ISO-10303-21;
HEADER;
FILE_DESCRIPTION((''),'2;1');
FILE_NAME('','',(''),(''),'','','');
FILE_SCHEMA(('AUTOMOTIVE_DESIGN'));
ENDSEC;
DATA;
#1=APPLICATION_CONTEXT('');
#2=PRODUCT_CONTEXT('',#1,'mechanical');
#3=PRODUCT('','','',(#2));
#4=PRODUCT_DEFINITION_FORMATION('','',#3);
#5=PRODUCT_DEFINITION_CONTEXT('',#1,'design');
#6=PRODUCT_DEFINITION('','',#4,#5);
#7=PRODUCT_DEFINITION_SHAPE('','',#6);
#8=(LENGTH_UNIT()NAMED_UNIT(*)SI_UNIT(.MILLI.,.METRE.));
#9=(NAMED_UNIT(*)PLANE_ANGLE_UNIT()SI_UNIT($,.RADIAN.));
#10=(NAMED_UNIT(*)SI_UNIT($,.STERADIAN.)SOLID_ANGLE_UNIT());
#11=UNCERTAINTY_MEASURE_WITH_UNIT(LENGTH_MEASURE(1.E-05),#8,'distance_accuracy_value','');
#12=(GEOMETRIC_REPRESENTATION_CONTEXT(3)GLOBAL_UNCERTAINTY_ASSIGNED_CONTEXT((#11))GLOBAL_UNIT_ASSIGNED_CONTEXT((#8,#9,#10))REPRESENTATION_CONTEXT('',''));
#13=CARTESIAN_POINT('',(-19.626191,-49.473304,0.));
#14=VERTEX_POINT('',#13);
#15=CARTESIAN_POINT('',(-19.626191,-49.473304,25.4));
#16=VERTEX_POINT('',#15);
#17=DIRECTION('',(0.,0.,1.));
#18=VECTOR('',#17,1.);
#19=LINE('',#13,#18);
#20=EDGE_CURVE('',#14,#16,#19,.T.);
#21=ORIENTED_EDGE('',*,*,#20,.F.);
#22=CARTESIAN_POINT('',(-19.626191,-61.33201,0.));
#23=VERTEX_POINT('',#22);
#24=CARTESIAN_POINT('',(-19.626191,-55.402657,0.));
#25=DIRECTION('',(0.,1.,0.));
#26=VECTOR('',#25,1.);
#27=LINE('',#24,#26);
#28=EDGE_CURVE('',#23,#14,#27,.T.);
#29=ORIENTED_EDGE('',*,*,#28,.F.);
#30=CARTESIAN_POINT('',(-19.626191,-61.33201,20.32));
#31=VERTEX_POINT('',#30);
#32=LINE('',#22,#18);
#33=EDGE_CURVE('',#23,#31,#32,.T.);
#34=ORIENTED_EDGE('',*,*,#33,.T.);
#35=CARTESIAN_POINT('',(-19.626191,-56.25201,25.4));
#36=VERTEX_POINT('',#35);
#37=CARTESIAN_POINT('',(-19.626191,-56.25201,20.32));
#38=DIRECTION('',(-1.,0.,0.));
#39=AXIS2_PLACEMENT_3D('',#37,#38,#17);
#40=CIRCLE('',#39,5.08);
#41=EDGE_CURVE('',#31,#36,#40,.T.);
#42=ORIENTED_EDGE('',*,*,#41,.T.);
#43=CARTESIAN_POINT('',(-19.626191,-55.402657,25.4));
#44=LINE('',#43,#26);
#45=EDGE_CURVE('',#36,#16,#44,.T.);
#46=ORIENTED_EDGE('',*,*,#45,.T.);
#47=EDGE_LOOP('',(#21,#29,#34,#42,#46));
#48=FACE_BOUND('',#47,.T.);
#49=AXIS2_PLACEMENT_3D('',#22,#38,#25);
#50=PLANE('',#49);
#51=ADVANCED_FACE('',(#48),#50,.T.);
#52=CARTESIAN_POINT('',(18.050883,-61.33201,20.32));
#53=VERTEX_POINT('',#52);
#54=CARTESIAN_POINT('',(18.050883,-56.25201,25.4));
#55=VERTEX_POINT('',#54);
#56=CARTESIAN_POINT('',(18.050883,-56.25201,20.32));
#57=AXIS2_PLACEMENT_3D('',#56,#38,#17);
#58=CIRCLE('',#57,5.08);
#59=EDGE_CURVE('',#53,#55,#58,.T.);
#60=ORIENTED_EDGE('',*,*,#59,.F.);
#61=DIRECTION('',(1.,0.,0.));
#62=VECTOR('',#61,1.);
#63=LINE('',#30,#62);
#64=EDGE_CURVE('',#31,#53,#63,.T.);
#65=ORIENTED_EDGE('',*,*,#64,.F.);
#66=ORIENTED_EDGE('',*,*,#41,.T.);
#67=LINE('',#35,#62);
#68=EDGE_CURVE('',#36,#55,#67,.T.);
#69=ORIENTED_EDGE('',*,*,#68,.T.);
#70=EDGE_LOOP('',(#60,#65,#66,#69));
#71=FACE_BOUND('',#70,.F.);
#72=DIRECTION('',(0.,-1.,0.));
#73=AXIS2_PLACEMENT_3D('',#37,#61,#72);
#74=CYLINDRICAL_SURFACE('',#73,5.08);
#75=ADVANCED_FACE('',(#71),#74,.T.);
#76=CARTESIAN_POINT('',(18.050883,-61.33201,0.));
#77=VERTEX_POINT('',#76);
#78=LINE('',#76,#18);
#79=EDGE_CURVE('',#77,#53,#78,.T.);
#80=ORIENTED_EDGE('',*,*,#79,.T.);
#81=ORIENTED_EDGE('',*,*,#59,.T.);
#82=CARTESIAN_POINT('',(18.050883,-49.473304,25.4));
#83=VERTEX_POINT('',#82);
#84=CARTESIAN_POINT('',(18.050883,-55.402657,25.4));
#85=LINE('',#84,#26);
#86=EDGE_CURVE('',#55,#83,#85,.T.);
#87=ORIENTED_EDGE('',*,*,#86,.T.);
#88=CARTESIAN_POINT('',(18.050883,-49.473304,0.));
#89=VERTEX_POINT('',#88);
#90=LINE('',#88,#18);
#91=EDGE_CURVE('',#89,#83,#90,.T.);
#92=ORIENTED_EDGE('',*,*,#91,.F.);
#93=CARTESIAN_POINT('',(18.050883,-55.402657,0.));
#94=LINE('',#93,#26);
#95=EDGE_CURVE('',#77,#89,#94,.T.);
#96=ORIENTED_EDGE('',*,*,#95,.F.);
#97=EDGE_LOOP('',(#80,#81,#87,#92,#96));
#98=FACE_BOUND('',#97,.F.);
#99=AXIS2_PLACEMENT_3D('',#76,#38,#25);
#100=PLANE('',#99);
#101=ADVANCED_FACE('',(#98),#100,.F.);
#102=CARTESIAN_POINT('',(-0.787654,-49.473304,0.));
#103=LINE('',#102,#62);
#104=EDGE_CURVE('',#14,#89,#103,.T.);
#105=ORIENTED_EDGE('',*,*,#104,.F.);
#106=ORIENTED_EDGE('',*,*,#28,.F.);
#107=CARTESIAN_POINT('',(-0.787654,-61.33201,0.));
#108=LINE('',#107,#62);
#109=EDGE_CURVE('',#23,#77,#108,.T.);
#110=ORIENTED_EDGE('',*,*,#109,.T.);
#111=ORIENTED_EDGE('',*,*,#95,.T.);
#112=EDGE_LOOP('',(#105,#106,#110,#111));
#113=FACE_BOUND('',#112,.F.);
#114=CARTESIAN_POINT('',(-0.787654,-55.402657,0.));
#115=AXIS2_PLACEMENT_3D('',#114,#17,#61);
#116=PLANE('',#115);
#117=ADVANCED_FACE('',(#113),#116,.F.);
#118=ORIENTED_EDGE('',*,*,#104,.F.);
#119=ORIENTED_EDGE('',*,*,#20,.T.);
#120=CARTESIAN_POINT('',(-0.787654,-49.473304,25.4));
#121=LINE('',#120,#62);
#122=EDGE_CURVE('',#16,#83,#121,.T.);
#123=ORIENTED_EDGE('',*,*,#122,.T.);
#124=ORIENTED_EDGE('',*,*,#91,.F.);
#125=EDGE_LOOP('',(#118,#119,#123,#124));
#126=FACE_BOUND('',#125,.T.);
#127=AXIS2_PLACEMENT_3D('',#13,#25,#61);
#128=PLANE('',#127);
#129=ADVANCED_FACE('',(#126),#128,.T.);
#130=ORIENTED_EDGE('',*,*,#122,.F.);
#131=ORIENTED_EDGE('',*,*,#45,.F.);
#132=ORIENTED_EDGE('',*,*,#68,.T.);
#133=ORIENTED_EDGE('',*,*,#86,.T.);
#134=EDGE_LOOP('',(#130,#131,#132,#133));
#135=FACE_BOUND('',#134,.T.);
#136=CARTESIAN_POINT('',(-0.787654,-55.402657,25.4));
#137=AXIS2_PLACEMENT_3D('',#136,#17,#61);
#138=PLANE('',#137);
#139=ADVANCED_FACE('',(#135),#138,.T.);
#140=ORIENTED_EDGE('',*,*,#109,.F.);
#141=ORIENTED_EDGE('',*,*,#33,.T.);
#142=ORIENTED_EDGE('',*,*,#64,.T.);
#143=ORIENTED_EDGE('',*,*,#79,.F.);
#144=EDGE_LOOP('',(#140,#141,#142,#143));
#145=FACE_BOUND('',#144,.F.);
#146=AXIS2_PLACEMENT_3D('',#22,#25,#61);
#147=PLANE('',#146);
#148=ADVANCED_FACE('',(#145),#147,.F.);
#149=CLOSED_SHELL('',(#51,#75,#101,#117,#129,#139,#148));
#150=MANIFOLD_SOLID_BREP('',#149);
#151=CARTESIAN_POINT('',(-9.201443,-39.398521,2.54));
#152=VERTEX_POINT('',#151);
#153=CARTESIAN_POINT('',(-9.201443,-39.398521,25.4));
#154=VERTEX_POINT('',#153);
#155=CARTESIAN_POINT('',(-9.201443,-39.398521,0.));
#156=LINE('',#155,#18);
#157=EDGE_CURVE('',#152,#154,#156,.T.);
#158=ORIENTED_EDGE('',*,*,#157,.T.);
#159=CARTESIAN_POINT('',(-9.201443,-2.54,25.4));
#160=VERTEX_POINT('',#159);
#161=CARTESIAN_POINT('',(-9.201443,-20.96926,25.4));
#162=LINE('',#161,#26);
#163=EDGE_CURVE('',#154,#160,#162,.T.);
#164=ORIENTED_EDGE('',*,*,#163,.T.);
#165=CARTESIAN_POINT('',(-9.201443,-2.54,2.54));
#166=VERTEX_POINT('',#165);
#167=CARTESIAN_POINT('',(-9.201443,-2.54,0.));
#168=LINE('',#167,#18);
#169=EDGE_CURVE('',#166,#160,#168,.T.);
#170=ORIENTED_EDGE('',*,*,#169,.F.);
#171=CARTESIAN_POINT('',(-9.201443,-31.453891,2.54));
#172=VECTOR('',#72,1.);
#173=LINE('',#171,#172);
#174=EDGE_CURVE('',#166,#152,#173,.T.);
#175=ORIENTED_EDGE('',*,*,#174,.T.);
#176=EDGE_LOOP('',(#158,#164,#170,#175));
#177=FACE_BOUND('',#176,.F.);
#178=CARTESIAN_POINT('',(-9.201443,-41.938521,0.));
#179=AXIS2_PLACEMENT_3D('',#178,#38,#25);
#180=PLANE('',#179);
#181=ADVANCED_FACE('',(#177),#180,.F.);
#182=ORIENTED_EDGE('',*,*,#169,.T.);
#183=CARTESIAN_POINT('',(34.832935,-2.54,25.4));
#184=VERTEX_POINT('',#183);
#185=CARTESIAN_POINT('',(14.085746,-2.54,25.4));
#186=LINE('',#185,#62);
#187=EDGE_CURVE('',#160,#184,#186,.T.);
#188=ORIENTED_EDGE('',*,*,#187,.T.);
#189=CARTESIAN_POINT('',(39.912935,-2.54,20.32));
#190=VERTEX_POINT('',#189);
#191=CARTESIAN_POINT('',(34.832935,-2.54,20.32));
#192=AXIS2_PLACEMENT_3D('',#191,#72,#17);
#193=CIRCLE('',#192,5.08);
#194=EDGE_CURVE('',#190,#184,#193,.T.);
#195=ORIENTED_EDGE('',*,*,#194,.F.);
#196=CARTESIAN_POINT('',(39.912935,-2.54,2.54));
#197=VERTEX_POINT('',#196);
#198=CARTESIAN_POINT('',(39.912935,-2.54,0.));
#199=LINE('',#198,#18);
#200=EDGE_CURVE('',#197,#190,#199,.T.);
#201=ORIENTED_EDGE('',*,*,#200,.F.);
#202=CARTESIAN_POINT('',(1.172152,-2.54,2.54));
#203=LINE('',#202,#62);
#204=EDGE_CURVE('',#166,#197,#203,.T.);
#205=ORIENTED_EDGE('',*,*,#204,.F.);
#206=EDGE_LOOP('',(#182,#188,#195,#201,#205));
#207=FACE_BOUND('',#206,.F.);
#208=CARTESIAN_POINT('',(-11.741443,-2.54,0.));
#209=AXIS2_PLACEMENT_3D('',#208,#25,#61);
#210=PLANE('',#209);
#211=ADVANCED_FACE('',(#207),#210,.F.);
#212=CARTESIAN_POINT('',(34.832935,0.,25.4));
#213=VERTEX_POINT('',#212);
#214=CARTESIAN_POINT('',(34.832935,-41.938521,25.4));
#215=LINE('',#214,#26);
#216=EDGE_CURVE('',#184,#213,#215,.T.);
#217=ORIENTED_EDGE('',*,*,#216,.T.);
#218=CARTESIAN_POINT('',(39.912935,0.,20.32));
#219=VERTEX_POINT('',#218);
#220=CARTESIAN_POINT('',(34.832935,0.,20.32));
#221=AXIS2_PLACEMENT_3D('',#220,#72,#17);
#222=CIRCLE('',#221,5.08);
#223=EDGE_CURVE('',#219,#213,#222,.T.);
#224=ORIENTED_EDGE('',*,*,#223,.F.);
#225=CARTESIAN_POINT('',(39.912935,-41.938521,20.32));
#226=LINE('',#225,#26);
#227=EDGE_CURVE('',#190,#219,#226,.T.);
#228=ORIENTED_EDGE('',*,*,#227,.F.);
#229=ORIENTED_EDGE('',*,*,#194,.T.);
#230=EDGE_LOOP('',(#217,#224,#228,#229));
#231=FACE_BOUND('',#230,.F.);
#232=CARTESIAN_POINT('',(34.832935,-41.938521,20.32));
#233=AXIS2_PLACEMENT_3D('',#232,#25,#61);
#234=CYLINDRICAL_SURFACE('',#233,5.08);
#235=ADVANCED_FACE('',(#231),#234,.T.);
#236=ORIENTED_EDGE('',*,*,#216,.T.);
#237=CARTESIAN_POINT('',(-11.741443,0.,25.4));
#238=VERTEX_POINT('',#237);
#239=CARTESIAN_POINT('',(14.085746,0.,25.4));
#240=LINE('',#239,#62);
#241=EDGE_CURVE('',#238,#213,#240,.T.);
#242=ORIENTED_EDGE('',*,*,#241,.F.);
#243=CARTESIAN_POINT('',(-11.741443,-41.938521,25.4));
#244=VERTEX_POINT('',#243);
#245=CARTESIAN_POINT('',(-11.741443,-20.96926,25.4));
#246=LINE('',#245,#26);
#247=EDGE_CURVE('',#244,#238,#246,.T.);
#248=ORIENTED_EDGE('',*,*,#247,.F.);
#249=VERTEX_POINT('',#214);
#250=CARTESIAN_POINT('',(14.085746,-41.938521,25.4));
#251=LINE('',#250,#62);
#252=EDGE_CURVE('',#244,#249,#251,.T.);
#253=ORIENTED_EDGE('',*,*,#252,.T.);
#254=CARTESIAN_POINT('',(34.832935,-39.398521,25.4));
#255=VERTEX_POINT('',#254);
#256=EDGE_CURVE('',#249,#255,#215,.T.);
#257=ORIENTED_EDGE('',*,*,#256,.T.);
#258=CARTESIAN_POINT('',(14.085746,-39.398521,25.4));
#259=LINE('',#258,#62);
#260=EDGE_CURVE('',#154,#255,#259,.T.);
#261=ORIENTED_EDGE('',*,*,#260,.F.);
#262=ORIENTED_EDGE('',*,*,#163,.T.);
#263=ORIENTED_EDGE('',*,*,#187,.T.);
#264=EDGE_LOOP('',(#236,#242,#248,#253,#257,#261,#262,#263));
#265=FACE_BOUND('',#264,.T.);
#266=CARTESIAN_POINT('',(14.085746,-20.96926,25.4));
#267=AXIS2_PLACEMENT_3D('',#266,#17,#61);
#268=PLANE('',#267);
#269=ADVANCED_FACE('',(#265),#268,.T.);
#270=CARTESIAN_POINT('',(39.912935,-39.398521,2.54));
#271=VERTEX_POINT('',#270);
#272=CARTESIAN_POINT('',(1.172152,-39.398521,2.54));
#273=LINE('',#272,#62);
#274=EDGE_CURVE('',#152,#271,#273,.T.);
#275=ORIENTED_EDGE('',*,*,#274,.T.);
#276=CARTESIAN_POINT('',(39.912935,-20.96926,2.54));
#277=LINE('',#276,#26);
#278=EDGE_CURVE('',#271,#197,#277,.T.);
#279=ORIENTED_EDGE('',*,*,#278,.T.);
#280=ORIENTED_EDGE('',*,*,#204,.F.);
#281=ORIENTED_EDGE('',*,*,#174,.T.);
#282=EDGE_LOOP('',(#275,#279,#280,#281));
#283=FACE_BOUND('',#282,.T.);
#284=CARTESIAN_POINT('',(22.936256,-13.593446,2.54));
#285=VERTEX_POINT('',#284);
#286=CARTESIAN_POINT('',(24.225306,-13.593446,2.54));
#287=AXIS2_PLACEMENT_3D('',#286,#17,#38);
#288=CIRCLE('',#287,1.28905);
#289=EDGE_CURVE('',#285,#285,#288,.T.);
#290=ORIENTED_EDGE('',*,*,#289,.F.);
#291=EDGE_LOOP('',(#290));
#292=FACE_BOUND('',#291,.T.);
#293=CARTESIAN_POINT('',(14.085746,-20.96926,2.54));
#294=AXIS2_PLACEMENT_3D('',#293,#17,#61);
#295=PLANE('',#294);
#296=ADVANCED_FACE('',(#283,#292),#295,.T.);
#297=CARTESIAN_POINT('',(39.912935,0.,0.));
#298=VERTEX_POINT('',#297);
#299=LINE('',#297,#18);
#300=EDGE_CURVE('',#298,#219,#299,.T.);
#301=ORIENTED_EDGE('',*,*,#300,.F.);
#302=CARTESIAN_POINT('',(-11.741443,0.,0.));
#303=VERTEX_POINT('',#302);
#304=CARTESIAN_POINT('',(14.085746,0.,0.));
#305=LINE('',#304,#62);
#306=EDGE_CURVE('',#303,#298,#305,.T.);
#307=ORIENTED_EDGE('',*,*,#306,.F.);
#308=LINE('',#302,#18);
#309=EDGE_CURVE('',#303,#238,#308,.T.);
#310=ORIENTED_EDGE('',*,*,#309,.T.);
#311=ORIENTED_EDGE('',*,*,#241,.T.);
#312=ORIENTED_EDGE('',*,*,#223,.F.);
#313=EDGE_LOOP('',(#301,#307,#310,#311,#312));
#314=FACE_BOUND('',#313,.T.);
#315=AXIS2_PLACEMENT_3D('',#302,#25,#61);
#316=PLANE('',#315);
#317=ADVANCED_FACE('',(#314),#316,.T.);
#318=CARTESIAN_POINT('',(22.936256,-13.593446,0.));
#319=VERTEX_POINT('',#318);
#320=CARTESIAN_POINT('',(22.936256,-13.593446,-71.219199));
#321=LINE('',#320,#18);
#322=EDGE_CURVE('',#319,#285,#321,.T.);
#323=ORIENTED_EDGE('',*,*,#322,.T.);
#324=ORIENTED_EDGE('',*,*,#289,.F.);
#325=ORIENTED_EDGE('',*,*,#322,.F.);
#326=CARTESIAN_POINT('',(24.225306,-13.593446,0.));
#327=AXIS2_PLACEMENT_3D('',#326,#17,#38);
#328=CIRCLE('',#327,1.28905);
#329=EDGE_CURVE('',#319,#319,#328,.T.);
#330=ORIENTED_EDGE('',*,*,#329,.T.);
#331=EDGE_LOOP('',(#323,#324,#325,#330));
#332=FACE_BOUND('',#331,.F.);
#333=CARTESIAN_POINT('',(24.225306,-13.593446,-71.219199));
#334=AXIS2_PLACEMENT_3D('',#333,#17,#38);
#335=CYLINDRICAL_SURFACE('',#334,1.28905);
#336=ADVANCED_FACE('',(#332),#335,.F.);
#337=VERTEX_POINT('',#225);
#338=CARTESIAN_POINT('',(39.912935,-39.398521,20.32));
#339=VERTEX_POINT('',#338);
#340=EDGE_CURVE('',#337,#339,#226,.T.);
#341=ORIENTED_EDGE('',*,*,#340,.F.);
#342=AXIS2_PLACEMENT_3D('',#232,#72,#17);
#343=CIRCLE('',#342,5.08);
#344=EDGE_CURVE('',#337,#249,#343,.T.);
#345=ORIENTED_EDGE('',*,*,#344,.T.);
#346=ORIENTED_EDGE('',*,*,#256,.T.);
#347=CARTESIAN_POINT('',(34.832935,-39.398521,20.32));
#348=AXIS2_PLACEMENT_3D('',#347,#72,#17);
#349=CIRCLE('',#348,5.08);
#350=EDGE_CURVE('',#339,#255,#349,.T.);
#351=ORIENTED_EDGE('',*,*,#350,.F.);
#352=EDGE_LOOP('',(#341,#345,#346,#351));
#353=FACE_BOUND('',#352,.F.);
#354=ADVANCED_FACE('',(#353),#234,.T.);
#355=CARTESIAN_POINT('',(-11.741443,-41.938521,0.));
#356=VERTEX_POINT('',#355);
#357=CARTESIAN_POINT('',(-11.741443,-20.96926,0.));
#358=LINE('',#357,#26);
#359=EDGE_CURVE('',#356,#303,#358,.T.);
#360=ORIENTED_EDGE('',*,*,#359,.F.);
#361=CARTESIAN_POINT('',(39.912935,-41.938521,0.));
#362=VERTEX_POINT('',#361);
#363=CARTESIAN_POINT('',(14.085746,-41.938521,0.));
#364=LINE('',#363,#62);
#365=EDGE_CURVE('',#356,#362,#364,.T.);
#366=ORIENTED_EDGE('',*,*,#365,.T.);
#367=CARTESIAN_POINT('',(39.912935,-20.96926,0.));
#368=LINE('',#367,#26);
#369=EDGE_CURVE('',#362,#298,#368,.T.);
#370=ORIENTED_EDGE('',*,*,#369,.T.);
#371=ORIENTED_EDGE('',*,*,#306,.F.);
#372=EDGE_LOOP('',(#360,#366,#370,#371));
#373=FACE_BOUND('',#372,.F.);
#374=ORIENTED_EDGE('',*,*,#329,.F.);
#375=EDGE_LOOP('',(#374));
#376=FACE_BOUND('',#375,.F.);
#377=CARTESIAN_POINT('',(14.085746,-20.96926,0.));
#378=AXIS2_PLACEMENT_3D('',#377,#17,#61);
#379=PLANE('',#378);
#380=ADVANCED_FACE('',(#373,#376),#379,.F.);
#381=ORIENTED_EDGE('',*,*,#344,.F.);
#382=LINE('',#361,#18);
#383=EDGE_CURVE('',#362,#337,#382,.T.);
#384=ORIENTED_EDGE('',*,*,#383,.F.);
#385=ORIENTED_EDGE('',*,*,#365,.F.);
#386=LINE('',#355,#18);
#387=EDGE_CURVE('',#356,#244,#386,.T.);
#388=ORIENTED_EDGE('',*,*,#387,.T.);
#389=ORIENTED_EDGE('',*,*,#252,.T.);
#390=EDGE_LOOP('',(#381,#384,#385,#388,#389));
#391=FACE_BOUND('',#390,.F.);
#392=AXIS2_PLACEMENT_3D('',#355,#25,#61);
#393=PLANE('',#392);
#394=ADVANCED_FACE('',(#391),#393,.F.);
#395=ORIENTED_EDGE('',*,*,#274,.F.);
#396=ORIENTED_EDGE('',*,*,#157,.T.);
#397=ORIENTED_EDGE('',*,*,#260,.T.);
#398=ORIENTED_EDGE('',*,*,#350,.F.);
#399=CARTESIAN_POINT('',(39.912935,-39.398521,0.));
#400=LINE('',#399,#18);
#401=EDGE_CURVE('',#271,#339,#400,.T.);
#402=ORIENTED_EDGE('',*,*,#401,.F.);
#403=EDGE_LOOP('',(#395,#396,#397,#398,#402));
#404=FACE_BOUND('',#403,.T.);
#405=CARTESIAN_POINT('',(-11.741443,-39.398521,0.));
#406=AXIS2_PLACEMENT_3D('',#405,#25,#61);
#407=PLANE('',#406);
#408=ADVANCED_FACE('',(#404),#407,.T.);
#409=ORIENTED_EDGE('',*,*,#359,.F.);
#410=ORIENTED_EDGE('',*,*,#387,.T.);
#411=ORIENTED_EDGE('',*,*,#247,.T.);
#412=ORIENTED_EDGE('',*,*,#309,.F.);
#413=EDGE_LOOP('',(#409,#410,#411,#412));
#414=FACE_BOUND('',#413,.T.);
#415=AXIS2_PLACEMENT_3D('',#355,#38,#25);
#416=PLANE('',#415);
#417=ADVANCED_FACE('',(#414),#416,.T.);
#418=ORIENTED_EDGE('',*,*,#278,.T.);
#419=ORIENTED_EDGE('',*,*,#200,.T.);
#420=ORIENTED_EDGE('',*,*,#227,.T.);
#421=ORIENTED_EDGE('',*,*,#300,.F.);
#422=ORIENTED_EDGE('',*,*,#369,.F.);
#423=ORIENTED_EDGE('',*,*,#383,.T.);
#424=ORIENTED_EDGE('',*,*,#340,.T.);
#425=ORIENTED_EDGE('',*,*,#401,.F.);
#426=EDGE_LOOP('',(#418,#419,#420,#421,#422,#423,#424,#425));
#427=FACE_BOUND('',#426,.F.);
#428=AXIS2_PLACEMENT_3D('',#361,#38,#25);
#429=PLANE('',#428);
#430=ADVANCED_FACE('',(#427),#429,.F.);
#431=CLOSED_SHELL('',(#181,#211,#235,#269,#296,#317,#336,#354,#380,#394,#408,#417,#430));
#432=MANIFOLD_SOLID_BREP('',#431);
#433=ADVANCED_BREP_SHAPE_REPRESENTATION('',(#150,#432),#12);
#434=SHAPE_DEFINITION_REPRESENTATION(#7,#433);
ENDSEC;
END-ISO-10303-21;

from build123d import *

# Parameters (mm, degrees)
F0_W     = 51.6543779522
F0_H     = 41.938520968
F1_DEPTH = 25.4
F0_W_2   = 37.6770738512
F0_H_2   = 11.8587054312
F2_R     = 5.08
F2_2_R   = 5.08
F3_T     = -2.54
F5_D     = 2.5781


with BuildPart() as f1:
    # F0 (on Top) → F1 (new body)
    with BuildSketch(Plane.XY):
        with Locations((14.0857463703, -20.969260484)):
            Rectangle(F0_W, F0_H)
    extrude(amount=F1_DEPTH)

    # F2#2
    f2_2_edges = [f1.edges().sort_by_distance(p)[0] for p in [
        (39.912935, -20.96926, 25.4),
    ]]
    fillet(f2_2_edges, radius=F2_2_R)

    # F3
    f3_openings = [f1.faces().sort_by_distance(p)[0] for p in [
        (11.545746, -20.96926, 25.4),
        (38.425038, -20.96926, 23.912102),
        (39.912935, -20.96926, 10.16),
    ]]
    offset(amount=F3_T, openings=f3_openings)

    # F5 (through all)
    with Locations(Plane(origin=(0, 0, 0), x_dir=(1, 0, 0), z_dir=(0, 0, -1))):
        with Locations((24.2253057659, 13.5934464633)):
            Hole(F5_D / 2)


with BuildPart() as f1b:
    # F0 (on Top) → F1, piece 2 (new body)
    with BuildSketch(Plane.XY):
        with Locations((-0.7876539603, -55.4026570171)):
            Rectangle(F0_W_2, F0_H_2)
    extrude(amount=F1_DEPTH)

    # F2
    f2_edges = [f1b.edges().sort_by_distance(p)[0] for p in [
        (-0.787654, -61.33201, 25.4),
    ]]
    fillet(f2_edges, radius=F2_R)


solid = Compound([f1.part, f1b.part])
